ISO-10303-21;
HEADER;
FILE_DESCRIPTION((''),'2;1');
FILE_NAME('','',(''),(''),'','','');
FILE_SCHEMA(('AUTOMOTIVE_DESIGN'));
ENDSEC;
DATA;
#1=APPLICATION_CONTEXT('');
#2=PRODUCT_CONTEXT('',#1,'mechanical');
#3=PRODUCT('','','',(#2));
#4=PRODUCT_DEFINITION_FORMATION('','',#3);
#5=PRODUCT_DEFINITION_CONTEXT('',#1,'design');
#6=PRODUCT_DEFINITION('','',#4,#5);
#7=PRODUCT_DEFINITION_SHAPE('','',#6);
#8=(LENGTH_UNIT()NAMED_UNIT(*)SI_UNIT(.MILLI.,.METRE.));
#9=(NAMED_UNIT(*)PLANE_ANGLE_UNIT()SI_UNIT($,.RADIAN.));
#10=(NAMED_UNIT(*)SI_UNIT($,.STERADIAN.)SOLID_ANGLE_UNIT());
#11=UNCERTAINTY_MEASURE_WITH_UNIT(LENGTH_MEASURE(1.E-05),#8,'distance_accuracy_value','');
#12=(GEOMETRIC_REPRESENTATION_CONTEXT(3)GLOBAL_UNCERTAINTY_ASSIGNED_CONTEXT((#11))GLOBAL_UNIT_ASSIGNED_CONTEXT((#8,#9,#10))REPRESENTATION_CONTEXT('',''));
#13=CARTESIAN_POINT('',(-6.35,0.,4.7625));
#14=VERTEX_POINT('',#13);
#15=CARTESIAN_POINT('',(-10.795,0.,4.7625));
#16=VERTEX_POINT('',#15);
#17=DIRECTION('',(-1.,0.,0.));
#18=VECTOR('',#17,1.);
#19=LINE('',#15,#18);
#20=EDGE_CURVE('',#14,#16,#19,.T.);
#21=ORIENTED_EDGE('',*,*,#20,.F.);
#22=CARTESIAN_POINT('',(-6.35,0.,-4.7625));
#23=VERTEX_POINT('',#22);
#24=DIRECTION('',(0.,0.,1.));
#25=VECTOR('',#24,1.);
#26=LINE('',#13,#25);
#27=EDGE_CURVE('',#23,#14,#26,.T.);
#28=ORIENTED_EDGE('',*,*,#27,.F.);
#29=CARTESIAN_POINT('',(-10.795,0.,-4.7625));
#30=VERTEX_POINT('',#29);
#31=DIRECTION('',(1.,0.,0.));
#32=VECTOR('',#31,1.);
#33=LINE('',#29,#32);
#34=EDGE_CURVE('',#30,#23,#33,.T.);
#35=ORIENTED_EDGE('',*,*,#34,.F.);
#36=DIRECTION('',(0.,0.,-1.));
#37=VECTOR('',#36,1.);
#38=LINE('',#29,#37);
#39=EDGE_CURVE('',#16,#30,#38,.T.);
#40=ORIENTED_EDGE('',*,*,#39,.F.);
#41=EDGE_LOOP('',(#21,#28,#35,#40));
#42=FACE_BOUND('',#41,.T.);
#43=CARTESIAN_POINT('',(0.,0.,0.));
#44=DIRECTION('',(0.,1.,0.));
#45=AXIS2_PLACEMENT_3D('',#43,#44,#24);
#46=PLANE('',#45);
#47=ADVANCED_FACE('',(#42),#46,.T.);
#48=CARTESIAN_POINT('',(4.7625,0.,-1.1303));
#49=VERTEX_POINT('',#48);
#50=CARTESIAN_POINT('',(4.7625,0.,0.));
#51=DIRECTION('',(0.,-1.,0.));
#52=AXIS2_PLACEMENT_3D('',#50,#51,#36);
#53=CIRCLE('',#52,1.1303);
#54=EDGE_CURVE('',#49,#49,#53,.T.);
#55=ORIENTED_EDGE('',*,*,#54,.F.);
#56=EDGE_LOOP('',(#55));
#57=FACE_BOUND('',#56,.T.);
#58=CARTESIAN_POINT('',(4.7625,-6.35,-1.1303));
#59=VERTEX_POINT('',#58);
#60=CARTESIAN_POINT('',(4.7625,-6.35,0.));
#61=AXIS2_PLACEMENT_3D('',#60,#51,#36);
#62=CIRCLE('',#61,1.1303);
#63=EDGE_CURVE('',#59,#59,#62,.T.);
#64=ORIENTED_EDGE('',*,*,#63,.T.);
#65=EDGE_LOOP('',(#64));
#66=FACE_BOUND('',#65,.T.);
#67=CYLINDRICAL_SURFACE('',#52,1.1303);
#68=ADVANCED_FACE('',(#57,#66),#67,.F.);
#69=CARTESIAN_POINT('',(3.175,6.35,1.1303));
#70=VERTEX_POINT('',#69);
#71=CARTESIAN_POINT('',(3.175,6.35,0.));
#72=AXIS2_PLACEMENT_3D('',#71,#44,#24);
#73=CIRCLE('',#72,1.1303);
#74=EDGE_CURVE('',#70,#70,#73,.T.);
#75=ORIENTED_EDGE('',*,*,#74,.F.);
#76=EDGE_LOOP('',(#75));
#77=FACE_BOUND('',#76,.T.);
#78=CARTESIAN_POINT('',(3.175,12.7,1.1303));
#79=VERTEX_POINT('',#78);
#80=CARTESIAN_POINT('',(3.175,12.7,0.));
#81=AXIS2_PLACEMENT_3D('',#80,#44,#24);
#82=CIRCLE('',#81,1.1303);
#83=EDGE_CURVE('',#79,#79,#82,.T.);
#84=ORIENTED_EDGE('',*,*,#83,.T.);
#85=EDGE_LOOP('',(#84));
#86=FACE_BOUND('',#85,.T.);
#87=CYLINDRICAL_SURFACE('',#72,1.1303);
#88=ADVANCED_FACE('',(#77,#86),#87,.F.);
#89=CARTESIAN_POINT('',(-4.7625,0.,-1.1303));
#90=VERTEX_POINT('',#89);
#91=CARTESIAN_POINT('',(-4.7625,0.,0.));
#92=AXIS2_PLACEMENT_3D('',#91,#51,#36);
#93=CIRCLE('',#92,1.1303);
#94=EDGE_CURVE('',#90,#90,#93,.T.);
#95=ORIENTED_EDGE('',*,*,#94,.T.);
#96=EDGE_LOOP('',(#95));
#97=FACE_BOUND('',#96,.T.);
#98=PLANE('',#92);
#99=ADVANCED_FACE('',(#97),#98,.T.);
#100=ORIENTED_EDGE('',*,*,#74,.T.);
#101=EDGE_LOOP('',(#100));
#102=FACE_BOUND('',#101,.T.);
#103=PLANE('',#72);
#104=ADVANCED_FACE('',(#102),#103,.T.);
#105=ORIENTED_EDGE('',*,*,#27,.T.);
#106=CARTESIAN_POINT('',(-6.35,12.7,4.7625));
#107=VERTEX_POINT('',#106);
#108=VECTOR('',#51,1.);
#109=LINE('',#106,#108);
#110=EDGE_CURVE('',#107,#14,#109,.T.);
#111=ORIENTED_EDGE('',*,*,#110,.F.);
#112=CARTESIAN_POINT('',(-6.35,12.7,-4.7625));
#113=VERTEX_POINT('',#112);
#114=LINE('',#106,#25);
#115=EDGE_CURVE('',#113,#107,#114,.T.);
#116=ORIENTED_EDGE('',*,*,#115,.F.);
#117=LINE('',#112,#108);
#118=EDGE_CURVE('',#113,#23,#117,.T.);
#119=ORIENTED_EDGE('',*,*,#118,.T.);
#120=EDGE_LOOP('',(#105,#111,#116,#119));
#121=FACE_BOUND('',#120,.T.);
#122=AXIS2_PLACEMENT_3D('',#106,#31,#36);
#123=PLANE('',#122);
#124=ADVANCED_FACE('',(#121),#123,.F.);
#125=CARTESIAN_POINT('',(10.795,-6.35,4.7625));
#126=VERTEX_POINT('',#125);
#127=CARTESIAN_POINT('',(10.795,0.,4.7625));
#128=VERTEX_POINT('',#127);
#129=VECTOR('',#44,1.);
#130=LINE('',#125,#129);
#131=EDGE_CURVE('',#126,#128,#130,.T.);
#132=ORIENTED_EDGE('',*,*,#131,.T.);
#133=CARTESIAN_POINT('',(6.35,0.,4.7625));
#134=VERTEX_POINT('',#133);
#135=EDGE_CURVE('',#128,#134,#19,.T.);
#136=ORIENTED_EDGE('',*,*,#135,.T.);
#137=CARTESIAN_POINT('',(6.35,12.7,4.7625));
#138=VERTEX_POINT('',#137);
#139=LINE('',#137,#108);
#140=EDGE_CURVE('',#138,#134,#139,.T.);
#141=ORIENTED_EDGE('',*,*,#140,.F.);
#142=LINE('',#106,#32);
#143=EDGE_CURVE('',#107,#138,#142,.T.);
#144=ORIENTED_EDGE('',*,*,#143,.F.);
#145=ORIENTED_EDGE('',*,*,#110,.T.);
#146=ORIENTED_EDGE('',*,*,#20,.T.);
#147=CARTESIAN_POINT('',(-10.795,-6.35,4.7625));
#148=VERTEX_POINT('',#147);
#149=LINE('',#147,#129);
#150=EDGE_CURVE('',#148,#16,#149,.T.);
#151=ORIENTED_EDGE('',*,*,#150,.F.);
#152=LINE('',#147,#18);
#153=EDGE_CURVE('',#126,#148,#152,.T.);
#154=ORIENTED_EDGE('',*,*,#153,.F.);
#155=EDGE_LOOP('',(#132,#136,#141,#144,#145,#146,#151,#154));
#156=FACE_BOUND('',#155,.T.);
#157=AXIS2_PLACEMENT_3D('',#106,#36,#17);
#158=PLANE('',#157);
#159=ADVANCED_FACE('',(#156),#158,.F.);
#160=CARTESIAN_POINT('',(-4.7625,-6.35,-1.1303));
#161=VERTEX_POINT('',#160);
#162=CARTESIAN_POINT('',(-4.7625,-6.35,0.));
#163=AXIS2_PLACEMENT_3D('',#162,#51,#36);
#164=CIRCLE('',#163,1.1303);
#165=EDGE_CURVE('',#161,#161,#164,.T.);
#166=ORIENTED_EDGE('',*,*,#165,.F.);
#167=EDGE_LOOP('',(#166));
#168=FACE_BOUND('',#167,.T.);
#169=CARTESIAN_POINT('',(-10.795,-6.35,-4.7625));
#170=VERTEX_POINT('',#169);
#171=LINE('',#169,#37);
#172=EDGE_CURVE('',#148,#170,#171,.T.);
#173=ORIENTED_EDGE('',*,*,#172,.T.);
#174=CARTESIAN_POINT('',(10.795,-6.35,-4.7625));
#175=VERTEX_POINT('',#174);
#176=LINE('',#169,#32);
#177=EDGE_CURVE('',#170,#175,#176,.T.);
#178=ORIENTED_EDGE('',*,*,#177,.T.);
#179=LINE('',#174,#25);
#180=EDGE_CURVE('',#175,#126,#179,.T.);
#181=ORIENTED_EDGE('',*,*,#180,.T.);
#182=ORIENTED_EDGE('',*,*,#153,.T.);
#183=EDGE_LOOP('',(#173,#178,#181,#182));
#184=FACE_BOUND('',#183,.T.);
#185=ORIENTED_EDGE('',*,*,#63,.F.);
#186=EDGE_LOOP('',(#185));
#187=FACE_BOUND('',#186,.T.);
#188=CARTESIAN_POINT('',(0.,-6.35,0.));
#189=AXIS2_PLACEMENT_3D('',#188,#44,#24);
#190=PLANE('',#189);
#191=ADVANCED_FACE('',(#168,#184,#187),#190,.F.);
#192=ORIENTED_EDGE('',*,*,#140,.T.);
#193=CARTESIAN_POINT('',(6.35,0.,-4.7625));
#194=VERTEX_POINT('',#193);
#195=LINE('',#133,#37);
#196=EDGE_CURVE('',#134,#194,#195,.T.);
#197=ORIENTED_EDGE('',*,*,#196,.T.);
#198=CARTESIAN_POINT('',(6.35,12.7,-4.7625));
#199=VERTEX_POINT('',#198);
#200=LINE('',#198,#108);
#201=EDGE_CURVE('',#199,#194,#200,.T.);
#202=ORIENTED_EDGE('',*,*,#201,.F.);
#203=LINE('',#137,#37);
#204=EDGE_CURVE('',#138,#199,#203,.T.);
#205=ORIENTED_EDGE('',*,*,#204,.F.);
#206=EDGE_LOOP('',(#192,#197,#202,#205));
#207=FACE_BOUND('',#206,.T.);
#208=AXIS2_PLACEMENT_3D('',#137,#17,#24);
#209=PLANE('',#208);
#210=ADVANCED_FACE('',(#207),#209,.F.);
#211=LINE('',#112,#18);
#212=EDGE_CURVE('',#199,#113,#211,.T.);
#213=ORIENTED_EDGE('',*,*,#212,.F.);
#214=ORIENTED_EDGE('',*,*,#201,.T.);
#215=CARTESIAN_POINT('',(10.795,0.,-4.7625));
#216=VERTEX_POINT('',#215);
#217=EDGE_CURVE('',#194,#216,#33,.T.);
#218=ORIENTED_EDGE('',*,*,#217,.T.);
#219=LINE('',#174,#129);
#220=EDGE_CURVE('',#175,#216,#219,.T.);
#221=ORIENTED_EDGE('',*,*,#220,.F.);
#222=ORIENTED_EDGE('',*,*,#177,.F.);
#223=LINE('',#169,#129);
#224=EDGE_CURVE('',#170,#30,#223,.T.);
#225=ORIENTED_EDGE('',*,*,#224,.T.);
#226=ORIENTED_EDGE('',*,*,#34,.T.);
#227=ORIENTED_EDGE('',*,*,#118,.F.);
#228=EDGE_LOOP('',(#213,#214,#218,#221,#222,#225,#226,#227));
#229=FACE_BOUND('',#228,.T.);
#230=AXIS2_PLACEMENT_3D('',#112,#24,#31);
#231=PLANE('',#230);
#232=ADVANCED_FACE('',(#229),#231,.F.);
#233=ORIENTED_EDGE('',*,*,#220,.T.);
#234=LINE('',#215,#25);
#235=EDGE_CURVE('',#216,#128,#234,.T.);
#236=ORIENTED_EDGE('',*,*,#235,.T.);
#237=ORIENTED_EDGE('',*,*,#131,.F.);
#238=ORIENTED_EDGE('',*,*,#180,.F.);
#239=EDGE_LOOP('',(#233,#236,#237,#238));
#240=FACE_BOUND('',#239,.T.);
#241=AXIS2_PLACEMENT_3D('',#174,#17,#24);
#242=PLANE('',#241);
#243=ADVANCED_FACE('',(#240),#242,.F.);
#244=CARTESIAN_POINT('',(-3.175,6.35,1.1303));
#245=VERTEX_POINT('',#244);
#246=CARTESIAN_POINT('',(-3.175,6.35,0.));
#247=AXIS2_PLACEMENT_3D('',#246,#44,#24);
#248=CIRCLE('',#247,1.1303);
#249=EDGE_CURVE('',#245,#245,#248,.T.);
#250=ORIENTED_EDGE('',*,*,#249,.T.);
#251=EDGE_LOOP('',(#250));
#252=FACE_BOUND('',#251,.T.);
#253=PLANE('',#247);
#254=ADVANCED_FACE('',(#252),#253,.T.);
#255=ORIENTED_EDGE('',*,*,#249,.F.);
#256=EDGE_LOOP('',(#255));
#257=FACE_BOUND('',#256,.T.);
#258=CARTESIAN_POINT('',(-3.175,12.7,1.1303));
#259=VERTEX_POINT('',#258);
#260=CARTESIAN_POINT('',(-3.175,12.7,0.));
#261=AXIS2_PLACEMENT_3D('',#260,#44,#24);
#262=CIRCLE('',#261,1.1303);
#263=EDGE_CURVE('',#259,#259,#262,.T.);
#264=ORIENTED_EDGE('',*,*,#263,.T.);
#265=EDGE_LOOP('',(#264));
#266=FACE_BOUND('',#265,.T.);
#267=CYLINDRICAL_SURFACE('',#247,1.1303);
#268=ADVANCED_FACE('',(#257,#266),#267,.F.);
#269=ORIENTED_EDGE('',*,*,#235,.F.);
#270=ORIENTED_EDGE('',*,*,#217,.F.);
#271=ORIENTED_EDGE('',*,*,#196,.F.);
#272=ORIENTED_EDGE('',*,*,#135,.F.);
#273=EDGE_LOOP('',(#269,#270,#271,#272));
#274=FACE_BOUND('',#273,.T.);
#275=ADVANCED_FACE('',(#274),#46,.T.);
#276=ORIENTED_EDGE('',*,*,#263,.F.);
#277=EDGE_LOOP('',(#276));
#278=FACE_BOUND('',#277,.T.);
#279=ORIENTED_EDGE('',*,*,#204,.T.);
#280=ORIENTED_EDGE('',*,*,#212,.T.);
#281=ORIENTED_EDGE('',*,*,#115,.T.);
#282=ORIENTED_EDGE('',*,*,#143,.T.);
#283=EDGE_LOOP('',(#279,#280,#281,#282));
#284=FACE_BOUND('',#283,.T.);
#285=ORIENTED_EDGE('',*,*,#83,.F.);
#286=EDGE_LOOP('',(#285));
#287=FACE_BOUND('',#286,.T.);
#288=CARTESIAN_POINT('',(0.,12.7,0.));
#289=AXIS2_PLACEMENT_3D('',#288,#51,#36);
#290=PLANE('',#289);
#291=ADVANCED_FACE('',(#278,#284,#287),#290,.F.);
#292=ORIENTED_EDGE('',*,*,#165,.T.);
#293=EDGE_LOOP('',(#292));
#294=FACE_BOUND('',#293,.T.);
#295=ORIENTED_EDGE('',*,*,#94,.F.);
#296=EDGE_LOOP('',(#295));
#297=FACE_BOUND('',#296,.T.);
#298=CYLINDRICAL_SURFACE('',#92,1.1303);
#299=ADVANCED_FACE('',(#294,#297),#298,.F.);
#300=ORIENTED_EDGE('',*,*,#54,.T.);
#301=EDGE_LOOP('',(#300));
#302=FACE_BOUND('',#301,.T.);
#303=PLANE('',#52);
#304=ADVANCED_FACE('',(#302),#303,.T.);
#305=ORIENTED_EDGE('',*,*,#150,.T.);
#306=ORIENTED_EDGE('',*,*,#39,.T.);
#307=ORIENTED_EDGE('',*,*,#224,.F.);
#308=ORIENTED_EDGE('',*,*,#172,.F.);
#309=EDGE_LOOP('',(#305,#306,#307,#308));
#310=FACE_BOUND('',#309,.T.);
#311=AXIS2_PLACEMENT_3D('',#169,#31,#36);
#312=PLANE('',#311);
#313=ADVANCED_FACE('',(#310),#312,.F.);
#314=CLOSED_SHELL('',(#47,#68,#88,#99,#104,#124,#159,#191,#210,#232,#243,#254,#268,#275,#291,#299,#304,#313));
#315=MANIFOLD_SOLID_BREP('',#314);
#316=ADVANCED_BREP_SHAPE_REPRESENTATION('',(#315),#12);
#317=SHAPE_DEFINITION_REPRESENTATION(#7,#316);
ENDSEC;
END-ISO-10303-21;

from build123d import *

# Parameters (mm, degrees)
SKETCH1_W           = 12.7
SKETCH1_H           = 9.525
BOSS_EXTRUDE1_DEPTH = 12.7
SKETCH2_R           = 1.1303
CUT_EXTRUDE1_DEPTH  = 6.35
SKETCH3_W           = 21.59
SKETCH3_H           = 9.525
BOSS_EXTRUDE2_DEPTH = 6.35
SKETCH4_R           = 1.1303
CUT_EXTRUDE2_DEPTH  = 6.35


with BuildPart() as part:
    # Sketch1 → Boss-Extrude1 (new body)
    with BuildSketch(Plane(origin=(0, 0, 0), x_dir=(1, 0, 0), z_dir=(0, 1, 0))):
        Rectangle(SKETCH1_W, SKETCH1_H)
    extrude(amount=BOSS_EXTRUDE1_DEPTH)

    # Sketch2 → Cut-Extrude1 (cut)
    with BuildSketch(Plane(origin=(0, 12.7, 0), x_dir=(1, 0, 0), z_dir=(0, 1, 0))):
        with Locations((-3.175, 0)):
            Circle(SKETCH2_R)
        with Locations((3.175, 0)):
            Circle(SKETCH2_R)
    extrude(amount=-CUT_EXTRUDE1_DEPTH, mode=Mode.SUBTRACT)

    # Sketch3 → Boss-Extrude2 (add)
    with BuildSketch(Plane.XZ):
        Rectangle(SKETCH3_W, SKETCH3_H)
    extrude(amount=BOSS_EXTRUDE2_DEPTH)

    # Sketch4 → Cut-Extrude2 (cut)
    with BuildSketch(Plane.XZ.offset(6.35)):
        with Locations((-4.7625, 0)):
            Circle(SKETCH4_R)
        with Locations((4.7625, 0)):
            Circle(SKETCH4_R)
    extrude(amount=-CUT_EXTRUDE2_DEPTH, mode=Mode.SUBTRACT)


solid = part.part
